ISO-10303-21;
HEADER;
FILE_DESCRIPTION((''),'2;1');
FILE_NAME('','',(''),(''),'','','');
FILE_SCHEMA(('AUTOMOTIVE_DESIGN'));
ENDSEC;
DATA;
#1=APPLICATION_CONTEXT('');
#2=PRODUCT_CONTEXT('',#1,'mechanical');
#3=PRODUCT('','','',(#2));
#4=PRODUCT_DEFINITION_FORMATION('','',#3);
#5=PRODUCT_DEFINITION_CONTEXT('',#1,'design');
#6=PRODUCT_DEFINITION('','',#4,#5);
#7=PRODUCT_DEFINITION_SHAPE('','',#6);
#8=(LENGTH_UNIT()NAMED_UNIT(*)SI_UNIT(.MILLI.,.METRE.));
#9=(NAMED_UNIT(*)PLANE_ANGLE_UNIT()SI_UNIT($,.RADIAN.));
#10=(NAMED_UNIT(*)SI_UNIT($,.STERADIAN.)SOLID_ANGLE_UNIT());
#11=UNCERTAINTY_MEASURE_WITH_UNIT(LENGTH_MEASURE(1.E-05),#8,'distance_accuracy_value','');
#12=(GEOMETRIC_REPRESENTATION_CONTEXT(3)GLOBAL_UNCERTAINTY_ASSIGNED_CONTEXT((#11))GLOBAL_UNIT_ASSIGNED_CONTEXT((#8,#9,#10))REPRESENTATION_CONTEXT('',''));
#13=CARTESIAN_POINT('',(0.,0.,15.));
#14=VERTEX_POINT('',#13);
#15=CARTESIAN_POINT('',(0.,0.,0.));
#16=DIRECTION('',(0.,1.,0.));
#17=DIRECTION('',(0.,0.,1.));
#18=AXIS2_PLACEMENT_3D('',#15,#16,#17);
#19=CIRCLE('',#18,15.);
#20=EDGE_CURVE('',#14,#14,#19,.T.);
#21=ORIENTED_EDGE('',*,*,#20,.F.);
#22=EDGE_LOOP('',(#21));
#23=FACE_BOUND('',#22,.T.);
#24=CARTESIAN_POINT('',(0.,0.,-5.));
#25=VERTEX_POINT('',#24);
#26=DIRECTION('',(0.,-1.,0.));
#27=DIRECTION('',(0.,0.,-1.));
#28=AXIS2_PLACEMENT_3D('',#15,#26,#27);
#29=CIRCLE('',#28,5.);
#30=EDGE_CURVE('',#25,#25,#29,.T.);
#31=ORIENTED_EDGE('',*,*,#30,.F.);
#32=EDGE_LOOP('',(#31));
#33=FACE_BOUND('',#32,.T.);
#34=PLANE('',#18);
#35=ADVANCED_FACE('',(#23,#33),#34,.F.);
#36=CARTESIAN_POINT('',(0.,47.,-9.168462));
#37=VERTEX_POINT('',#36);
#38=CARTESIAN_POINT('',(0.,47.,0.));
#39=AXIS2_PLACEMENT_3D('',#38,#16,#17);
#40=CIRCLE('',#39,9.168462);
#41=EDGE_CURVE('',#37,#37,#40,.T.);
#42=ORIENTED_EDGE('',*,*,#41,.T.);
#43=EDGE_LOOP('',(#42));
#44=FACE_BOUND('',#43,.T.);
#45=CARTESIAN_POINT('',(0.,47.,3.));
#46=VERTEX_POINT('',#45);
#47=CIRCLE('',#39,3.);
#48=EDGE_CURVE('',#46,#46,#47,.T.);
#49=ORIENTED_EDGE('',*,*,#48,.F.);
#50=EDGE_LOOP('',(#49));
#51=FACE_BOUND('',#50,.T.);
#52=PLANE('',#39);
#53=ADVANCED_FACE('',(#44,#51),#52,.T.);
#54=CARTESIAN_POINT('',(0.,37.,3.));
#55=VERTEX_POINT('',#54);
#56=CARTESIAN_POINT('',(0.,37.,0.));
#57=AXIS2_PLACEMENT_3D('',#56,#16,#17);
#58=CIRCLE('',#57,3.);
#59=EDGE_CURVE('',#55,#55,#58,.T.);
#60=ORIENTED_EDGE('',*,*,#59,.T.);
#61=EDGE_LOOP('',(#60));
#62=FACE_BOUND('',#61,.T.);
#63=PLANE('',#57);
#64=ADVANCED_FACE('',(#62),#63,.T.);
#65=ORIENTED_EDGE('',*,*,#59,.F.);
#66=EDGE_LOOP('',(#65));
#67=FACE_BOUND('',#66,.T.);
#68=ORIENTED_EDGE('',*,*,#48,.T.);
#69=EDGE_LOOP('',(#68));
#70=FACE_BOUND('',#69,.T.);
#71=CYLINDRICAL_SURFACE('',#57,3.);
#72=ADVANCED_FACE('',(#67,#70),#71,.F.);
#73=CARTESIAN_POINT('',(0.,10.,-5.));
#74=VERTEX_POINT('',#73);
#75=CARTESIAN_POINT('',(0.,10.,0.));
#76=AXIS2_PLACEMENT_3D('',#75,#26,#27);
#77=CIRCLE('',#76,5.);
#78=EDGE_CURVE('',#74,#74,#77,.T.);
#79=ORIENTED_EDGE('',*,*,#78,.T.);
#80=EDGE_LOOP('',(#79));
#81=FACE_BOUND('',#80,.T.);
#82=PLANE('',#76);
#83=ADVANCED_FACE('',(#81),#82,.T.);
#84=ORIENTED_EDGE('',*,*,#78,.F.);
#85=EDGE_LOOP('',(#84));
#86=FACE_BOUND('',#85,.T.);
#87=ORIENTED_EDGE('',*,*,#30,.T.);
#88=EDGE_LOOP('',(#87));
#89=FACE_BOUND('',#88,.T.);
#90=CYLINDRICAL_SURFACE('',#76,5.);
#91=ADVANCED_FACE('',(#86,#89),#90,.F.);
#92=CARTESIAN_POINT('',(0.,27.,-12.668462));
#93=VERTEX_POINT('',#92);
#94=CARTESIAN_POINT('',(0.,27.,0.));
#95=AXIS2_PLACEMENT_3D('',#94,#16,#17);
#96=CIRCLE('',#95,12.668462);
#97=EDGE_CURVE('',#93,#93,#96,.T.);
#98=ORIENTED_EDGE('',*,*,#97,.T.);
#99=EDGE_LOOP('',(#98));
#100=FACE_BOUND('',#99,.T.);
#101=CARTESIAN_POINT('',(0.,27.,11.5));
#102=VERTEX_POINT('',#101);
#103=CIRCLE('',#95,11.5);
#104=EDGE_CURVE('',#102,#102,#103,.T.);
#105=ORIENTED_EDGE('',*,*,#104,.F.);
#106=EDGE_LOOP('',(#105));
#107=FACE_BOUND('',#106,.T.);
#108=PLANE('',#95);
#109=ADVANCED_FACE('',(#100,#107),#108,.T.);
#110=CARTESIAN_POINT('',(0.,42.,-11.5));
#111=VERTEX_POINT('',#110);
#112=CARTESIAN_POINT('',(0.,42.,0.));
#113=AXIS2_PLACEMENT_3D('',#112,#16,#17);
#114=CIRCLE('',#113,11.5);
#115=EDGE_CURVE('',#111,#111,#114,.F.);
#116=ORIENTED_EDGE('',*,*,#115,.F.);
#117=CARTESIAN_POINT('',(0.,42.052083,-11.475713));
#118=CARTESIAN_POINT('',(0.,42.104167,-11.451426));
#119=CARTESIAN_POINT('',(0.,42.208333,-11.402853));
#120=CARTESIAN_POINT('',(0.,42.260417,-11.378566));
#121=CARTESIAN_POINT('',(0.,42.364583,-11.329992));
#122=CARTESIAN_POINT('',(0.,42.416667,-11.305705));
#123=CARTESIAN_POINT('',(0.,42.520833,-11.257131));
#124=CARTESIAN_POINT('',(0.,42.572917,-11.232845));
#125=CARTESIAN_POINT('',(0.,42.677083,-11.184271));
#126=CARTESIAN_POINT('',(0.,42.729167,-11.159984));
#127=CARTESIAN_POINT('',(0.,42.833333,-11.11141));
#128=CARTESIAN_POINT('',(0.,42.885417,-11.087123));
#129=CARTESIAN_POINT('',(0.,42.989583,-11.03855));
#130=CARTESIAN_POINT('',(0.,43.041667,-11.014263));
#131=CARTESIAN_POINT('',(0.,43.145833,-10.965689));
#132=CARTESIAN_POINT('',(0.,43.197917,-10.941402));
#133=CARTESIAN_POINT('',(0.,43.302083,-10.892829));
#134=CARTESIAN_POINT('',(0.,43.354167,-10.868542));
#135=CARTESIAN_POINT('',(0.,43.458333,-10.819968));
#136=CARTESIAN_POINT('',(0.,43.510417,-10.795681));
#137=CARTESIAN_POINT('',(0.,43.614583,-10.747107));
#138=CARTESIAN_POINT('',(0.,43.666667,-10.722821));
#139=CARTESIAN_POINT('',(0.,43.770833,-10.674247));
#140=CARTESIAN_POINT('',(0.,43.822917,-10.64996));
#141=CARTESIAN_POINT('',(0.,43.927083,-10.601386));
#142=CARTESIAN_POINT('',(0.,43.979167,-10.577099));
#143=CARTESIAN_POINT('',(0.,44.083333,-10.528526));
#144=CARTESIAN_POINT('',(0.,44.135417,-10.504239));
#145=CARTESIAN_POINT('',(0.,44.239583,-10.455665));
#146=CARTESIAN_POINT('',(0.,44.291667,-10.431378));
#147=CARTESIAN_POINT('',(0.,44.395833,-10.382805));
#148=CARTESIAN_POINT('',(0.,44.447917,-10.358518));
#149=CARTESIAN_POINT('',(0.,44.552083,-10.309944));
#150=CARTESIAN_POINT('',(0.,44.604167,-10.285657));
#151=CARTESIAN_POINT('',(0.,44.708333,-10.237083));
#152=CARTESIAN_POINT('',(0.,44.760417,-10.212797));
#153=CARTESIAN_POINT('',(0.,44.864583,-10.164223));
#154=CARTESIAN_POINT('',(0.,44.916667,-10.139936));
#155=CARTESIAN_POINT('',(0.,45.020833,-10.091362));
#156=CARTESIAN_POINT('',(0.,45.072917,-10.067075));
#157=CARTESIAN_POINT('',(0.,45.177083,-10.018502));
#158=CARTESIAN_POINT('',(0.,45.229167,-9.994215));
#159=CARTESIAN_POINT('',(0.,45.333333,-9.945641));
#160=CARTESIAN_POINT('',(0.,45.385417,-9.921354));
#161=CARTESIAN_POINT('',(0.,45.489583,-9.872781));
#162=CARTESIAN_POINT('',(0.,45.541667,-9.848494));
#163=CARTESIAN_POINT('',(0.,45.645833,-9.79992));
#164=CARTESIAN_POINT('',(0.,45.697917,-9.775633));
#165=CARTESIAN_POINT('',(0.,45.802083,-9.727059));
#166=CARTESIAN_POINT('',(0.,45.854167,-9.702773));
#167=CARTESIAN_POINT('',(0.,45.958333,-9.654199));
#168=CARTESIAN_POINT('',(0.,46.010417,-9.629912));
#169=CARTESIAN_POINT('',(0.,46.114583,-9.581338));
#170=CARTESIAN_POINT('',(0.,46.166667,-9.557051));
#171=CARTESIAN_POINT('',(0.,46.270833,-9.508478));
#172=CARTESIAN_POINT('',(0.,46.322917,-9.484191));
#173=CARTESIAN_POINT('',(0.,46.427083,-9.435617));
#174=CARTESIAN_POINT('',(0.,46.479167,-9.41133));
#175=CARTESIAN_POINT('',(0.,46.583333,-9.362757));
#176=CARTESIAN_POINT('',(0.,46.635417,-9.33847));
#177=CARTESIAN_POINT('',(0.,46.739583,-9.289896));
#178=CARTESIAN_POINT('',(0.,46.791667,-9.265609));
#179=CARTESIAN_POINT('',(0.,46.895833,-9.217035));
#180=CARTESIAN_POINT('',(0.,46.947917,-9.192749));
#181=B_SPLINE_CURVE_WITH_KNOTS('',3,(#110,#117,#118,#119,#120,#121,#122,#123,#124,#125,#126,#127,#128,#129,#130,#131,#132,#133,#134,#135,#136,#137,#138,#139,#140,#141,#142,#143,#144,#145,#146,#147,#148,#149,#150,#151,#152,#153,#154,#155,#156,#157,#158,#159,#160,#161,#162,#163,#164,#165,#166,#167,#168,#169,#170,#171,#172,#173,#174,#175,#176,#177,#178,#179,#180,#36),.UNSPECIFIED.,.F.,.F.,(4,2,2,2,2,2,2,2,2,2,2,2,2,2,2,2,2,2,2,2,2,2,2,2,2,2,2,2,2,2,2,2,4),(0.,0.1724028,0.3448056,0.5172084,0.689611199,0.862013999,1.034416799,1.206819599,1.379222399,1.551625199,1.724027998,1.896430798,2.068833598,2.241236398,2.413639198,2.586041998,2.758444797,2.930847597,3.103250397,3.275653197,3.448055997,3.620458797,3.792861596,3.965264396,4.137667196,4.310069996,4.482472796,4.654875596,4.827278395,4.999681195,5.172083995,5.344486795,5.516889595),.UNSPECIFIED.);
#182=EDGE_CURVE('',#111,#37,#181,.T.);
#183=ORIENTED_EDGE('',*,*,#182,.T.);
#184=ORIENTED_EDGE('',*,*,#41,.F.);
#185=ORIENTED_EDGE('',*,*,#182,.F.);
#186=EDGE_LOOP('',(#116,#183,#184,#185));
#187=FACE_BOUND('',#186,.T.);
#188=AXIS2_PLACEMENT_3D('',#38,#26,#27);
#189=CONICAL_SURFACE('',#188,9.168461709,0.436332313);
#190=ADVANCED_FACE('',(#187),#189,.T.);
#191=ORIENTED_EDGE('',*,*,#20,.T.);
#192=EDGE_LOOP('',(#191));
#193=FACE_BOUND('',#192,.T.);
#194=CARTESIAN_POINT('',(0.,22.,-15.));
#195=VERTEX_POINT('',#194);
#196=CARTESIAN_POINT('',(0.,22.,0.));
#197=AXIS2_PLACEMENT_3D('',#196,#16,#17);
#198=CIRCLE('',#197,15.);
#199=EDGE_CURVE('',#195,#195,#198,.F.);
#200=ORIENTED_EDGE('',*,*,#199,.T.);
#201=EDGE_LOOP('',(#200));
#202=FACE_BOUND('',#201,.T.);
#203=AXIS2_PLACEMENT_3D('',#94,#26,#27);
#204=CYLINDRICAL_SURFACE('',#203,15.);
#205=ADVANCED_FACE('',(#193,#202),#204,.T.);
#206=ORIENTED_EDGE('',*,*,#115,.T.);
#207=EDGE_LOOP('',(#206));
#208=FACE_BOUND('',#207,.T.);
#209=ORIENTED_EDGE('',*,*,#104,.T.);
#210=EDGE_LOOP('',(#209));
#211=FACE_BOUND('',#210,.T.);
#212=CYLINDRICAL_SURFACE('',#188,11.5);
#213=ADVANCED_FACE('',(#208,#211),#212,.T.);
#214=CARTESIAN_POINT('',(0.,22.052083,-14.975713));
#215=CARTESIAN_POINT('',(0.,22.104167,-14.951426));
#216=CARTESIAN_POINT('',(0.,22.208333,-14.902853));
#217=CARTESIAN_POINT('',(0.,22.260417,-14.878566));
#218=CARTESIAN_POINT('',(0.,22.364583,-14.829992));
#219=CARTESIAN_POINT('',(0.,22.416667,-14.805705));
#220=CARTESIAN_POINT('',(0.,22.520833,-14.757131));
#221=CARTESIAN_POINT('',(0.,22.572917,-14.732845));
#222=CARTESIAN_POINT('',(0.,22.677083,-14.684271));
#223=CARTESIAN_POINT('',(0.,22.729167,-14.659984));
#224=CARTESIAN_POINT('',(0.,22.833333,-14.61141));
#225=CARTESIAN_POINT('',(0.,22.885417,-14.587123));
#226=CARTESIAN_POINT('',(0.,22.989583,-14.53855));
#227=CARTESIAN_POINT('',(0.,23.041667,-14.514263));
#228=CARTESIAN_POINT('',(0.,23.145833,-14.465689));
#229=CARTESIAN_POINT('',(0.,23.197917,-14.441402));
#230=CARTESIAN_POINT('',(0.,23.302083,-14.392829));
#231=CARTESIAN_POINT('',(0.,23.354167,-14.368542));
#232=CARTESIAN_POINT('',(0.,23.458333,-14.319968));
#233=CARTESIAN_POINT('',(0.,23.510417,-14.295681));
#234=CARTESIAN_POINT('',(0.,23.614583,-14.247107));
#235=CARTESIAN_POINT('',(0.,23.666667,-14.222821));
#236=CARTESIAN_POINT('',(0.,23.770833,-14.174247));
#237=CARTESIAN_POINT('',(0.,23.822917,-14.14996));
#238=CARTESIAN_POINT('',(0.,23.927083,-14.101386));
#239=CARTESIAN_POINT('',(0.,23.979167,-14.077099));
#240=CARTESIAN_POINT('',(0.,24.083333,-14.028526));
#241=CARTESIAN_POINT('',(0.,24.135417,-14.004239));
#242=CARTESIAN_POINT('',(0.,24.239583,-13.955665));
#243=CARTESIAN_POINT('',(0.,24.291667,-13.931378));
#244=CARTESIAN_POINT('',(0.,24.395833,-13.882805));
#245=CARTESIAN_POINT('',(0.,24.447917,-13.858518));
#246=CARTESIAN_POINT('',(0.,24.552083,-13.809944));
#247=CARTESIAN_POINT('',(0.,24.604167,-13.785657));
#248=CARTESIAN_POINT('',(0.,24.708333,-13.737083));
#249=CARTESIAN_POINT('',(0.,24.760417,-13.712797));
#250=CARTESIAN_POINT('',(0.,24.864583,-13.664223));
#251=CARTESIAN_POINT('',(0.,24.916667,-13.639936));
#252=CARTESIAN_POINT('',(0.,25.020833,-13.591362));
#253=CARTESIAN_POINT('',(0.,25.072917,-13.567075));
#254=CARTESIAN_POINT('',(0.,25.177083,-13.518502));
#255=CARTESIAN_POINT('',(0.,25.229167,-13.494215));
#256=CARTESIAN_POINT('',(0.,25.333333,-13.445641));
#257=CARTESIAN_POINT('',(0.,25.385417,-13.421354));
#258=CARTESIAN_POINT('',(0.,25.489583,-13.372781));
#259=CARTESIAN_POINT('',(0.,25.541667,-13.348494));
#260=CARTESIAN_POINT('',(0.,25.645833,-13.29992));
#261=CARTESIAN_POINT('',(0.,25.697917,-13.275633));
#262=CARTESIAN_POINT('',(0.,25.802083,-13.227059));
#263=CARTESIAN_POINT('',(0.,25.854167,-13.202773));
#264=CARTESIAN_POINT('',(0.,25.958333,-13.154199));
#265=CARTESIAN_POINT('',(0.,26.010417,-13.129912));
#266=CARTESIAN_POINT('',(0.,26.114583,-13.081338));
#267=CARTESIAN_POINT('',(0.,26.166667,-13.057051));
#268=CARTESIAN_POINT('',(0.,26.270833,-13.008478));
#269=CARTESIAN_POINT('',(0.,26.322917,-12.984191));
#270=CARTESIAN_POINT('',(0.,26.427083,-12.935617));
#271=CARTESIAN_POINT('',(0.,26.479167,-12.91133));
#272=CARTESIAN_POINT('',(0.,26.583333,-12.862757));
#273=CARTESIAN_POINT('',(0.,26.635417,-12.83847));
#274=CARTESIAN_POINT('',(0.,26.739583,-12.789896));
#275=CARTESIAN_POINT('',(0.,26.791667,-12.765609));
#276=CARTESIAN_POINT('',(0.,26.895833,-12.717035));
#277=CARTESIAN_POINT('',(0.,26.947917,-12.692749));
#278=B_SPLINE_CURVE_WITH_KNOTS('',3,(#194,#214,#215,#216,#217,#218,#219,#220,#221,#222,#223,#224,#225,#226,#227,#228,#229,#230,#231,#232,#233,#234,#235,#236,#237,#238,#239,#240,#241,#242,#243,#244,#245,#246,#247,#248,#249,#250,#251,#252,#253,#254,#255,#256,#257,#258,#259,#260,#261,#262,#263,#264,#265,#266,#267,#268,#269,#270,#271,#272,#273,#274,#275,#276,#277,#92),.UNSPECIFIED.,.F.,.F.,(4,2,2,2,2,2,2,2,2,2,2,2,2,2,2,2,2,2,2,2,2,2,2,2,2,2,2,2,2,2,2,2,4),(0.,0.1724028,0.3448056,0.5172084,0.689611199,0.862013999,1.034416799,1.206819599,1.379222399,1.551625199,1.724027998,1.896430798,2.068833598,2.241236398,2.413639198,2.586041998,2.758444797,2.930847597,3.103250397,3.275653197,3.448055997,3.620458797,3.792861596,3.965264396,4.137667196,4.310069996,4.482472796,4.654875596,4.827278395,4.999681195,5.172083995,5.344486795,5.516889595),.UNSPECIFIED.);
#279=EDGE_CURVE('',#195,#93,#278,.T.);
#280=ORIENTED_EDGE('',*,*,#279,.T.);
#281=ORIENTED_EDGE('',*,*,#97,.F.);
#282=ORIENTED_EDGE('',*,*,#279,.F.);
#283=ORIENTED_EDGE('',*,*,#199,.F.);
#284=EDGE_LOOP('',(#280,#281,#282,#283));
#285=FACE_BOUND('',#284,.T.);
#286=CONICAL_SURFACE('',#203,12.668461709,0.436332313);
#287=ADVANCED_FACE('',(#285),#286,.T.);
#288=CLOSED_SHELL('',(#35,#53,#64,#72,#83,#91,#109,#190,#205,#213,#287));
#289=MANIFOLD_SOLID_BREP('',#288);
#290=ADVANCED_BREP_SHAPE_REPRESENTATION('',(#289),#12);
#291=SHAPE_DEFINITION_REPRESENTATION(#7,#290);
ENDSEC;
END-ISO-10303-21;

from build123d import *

# Parameters (mm, degrees)
CROQUIS1_R              = 15
SALIENTE_EXTRUIR1_DEPTH = 27
CROQUIS2_R              = 11.5
SALIENTE_EXTRUIR2_DEPTH = 20
CHAFL_N1_SIZE           = 5
CHAFL_N1_SIZE2          = 2.331538291
CHAFL_N2_SIZE           = 5
CHAFL_N2_SIZE2          = 2.331538291
CROQUIS3_R              = 5
CORTAR_EXTRUIR1_DEPTH   = 10
CROQUIS4_R              = 3
CORTAR_EXTRUIR2_DEPTH   = 10


with BuildPart() as part:
    # Croquis1 → Saliente-Extruir1 (new body)
    with BuildSketch(Plane(origin=(0, 0, 0), x_dir=(1, 0, 0), z_dir=(0, 1, 0))):
        with Locations(Location((0, 0, 0), (0, 0, 270))):
            Circle(CROQUIS1_R)
    extrude(amount=SALIENTE_EXTRUIR1_DEPTH)

    # Croquis2 → Saliente-Extruir2 (add)
    with BuildSketch(Plane(origin=(0, 27, 0), x_dir=(1, 0, 0), z_dir=(0, 1, 0))):
        with Locations(Location((0, 0, 0), (0, 0, 270))):
            Circle(CROQUIS2_R)
    extrude(amount=SALIENTE_EXTRUIR2_DEPTH)

    # Chaflán1
    chafl_n1_edges = [part.edges().sort_by_distance(p)[0] for p in [
        (0, 47, -11.5),
    ]]
    chafl_n1_side = [part.faces().sort_by_distance(p)[0] for p in [
        (0, 37, -11.5),
    ]]
    chamfer(chafl_n1_edges, length=CHAFL_N1_SIZE, length2=CHAFL_N1_SIZE2, reference=chafl_n1_side[0])

    # Chaflán2
    chafl_n2_edges = [part.edges().sort_by_distance(p)[0] for p in [
        (0, 27, -15),
    ]]
    chafl_n2_side = [part.faces().sort_by_distance(p)[0] for p in [
        (0, 13.5, -15),
    ]]
    chamfer(chafl_n2_edges, length=CHAFL_N2_SIZE, length2=CHAFL_N2_SIZE2, reference=chafl_n2_side[0])

    # Croquis3 → Cortar-Extruir1 (cut)
    with BuildSketch(Plane(origin=(0, 0, 0), x_dir=(-1, 0, 0), z_dir=(0, -1, 0))):
        with Locations(Location((0, 0, 0), (0, 0, 90))):
            Circle(CROQUIS3_R)
    extrude(amount=-CORTAR_EXTRUIR1_DEPTH, mode=Mode.SUBTRACT)

    # Croquis4 → Cortar-Extruir2 (cut)
    with BuildSketch(Plane(origin=(0, 47, 0), x_dir=(1, 0, 0), z_dir=(0, 1, 0))):
        with Locations(Location((0, 0, 0), (0, 0, 270))):
            Circle(CROQUIS4_R)
    extrude(amount=-CORTAR_EXTRUIR2_DEPTH, mode=Mode.SUBTRACT)


solid = part.part
